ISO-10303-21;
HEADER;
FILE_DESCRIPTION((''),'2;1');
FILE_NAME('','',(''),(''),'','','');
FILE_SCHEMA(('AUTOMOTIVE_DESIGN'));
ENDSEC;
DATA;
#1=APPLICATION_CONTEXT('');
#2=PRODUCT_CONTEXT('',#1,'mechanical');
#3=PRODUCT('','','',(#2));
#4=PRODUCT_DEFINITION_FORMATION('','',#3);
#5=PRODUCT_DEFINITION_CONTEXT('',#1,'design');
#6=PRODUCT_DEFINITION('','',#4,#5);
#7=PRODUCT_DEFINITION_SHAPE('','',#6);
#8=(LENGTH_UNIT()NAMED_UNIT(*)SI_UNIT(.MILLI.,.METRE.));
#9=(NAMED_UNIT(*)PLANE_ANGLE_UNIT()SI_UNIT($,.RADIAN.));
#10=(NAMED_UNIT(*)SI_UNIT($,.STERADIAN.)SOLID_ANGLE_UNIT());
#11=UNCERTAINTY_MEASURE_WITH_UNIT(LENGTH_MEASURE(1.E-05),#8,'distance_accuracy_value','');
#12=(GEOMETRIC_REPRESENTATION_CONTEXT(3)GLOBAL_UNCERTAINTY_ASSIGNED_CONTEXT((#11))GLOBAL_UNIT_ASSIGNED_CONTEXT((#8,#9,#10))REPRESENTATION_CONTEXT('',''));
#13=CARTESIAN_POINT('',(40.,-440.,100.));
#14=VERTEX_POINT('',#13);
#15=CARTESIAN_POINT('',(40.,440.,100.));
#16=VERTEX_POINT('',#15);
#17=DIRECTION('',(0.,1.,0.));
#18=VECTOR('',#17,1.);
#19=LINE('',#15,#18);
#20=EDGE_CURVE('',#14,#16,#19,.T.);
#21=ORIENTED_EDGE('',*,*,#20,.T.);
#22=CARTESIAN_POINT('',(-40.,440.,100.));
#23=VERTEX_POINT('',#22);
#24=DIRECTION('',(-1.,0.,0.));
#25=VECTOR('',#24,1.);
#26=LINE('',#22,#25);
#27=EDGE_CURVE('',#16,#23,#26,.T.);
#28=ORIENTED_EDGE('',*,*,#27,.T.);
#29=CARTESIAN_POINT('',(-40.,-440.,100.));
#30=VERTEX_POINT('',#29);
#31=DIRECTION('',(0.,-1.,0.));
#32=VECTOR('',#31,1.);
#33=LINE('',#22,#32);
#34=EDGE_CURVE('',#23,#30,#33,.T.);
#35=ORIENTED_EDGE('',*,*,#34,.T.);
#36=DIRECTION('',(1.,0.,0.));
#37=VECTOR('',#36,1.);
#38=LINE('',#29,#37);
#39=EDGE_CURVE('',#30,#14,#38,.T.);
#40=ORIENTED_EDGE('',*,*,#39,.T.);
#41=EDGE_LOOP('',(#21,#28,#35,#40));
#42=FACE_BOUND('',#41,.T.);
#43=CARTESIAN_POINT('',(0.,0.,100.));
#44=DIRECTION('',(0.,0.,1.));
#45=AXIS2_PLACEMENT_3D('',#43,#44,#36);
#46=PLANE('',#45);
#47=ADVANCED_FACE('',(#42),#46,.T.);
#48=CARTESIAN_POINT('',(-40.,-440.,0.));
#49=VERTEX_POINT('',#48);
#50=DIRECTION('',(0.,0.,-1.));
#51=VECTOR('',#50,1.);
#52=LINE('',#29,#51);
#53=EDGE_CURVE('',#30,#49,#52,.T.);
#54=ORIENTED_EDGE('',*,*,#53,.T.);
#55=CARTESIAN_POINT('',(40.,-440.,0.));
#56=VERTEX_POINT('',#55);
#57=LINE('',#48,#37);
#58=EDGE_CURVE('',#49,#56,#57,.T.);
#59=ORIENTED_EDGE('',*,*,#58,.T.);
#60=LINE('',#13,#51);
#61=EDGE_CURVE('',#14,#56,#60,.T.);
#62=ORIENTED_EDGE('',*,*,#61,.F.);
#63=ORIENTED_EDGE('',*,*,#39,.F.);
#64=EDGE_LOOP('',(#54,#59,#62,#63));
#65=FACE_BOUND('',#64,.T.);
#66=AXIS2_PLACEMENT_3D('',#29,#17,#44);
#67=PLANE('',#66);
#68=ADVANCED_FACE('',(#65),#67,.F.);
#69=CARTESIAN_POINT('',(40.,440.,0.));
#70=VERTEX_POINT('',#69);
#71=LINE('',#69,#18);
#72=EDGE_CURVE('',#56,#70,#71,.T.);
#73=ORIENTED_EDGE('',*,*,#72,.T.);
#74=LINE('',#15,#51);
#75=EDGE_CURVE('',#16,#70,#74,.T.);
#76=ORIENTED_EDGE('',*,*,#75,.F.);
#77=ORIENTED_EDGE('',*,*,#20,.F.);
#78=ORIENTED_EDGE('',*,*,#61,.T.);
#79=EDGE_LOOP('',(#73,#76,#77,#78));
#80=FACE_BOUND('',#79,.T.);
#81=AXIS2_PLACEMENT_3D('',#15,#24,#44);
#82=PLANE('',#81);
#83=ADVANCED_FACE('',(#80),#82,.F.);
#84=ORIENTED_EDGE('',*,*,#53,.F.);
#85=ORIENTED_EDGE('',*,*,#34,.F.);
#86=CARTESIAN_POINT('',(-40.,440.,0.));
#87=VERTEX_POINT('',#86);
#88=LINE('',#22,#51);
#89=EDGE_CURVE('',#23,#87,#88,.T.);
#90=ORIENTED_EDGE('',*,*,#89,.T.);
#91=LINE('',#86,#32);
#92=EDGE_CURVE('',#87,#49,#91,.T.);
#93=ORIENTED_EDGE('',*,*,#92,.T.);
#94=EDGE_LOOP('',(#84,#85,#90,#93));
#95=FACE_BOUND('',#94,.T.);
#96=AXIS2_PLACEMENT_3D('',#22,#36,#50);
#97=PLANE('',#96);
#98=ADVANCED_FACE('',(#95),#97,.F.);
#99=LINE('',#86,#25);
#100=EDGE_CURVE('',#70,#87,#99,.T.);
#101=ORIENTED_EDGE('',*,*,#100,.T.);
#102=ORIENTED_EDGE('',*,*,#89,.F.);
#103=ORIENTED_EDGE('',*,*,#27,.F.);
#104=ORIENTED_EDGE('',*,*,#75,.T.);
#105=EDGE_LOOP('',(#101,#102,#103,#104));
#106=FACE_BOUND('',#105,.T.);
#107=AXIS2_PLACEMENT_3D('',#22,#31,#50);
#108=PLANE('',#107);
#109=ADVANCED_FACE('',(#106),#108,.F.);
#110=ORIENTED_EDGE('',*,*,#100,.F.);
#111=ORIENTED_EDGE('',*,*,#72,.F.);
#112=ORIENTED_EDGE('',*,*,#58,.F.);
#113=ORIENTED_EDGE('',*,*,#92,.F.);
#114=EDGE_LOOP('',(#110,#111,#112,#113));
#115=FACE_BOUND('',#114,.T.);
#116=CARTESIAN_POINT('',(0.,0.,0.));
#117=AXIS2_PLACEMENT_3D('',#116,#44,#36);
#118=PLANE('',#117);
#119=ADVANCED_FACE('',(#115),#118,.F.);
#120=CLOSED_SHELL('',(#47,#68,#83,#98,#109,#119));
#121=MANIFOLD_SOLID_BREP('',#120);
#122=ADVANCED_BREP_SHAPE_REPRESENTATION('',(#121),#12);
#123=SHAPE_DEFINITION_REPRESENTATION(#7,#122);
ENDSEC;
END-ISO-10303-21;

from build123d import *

# Parameters (mm, degrees)
ESQUISSE1_W        = 80
ESQUISSE1_H        = 880
BOSS_EXTRU_1_DEPTH = 100


with BuildPart() as part:
    # Esquisse1 → Boss.-Extru.1 (new body)
    with BuildSketch(Plane.XY):
        Rectangle(ESQUISSE1_W, ESQUISSE1_H)
    extrude(amount=BOSS_EXTRU_1_DEPTH)


solid = part.part
